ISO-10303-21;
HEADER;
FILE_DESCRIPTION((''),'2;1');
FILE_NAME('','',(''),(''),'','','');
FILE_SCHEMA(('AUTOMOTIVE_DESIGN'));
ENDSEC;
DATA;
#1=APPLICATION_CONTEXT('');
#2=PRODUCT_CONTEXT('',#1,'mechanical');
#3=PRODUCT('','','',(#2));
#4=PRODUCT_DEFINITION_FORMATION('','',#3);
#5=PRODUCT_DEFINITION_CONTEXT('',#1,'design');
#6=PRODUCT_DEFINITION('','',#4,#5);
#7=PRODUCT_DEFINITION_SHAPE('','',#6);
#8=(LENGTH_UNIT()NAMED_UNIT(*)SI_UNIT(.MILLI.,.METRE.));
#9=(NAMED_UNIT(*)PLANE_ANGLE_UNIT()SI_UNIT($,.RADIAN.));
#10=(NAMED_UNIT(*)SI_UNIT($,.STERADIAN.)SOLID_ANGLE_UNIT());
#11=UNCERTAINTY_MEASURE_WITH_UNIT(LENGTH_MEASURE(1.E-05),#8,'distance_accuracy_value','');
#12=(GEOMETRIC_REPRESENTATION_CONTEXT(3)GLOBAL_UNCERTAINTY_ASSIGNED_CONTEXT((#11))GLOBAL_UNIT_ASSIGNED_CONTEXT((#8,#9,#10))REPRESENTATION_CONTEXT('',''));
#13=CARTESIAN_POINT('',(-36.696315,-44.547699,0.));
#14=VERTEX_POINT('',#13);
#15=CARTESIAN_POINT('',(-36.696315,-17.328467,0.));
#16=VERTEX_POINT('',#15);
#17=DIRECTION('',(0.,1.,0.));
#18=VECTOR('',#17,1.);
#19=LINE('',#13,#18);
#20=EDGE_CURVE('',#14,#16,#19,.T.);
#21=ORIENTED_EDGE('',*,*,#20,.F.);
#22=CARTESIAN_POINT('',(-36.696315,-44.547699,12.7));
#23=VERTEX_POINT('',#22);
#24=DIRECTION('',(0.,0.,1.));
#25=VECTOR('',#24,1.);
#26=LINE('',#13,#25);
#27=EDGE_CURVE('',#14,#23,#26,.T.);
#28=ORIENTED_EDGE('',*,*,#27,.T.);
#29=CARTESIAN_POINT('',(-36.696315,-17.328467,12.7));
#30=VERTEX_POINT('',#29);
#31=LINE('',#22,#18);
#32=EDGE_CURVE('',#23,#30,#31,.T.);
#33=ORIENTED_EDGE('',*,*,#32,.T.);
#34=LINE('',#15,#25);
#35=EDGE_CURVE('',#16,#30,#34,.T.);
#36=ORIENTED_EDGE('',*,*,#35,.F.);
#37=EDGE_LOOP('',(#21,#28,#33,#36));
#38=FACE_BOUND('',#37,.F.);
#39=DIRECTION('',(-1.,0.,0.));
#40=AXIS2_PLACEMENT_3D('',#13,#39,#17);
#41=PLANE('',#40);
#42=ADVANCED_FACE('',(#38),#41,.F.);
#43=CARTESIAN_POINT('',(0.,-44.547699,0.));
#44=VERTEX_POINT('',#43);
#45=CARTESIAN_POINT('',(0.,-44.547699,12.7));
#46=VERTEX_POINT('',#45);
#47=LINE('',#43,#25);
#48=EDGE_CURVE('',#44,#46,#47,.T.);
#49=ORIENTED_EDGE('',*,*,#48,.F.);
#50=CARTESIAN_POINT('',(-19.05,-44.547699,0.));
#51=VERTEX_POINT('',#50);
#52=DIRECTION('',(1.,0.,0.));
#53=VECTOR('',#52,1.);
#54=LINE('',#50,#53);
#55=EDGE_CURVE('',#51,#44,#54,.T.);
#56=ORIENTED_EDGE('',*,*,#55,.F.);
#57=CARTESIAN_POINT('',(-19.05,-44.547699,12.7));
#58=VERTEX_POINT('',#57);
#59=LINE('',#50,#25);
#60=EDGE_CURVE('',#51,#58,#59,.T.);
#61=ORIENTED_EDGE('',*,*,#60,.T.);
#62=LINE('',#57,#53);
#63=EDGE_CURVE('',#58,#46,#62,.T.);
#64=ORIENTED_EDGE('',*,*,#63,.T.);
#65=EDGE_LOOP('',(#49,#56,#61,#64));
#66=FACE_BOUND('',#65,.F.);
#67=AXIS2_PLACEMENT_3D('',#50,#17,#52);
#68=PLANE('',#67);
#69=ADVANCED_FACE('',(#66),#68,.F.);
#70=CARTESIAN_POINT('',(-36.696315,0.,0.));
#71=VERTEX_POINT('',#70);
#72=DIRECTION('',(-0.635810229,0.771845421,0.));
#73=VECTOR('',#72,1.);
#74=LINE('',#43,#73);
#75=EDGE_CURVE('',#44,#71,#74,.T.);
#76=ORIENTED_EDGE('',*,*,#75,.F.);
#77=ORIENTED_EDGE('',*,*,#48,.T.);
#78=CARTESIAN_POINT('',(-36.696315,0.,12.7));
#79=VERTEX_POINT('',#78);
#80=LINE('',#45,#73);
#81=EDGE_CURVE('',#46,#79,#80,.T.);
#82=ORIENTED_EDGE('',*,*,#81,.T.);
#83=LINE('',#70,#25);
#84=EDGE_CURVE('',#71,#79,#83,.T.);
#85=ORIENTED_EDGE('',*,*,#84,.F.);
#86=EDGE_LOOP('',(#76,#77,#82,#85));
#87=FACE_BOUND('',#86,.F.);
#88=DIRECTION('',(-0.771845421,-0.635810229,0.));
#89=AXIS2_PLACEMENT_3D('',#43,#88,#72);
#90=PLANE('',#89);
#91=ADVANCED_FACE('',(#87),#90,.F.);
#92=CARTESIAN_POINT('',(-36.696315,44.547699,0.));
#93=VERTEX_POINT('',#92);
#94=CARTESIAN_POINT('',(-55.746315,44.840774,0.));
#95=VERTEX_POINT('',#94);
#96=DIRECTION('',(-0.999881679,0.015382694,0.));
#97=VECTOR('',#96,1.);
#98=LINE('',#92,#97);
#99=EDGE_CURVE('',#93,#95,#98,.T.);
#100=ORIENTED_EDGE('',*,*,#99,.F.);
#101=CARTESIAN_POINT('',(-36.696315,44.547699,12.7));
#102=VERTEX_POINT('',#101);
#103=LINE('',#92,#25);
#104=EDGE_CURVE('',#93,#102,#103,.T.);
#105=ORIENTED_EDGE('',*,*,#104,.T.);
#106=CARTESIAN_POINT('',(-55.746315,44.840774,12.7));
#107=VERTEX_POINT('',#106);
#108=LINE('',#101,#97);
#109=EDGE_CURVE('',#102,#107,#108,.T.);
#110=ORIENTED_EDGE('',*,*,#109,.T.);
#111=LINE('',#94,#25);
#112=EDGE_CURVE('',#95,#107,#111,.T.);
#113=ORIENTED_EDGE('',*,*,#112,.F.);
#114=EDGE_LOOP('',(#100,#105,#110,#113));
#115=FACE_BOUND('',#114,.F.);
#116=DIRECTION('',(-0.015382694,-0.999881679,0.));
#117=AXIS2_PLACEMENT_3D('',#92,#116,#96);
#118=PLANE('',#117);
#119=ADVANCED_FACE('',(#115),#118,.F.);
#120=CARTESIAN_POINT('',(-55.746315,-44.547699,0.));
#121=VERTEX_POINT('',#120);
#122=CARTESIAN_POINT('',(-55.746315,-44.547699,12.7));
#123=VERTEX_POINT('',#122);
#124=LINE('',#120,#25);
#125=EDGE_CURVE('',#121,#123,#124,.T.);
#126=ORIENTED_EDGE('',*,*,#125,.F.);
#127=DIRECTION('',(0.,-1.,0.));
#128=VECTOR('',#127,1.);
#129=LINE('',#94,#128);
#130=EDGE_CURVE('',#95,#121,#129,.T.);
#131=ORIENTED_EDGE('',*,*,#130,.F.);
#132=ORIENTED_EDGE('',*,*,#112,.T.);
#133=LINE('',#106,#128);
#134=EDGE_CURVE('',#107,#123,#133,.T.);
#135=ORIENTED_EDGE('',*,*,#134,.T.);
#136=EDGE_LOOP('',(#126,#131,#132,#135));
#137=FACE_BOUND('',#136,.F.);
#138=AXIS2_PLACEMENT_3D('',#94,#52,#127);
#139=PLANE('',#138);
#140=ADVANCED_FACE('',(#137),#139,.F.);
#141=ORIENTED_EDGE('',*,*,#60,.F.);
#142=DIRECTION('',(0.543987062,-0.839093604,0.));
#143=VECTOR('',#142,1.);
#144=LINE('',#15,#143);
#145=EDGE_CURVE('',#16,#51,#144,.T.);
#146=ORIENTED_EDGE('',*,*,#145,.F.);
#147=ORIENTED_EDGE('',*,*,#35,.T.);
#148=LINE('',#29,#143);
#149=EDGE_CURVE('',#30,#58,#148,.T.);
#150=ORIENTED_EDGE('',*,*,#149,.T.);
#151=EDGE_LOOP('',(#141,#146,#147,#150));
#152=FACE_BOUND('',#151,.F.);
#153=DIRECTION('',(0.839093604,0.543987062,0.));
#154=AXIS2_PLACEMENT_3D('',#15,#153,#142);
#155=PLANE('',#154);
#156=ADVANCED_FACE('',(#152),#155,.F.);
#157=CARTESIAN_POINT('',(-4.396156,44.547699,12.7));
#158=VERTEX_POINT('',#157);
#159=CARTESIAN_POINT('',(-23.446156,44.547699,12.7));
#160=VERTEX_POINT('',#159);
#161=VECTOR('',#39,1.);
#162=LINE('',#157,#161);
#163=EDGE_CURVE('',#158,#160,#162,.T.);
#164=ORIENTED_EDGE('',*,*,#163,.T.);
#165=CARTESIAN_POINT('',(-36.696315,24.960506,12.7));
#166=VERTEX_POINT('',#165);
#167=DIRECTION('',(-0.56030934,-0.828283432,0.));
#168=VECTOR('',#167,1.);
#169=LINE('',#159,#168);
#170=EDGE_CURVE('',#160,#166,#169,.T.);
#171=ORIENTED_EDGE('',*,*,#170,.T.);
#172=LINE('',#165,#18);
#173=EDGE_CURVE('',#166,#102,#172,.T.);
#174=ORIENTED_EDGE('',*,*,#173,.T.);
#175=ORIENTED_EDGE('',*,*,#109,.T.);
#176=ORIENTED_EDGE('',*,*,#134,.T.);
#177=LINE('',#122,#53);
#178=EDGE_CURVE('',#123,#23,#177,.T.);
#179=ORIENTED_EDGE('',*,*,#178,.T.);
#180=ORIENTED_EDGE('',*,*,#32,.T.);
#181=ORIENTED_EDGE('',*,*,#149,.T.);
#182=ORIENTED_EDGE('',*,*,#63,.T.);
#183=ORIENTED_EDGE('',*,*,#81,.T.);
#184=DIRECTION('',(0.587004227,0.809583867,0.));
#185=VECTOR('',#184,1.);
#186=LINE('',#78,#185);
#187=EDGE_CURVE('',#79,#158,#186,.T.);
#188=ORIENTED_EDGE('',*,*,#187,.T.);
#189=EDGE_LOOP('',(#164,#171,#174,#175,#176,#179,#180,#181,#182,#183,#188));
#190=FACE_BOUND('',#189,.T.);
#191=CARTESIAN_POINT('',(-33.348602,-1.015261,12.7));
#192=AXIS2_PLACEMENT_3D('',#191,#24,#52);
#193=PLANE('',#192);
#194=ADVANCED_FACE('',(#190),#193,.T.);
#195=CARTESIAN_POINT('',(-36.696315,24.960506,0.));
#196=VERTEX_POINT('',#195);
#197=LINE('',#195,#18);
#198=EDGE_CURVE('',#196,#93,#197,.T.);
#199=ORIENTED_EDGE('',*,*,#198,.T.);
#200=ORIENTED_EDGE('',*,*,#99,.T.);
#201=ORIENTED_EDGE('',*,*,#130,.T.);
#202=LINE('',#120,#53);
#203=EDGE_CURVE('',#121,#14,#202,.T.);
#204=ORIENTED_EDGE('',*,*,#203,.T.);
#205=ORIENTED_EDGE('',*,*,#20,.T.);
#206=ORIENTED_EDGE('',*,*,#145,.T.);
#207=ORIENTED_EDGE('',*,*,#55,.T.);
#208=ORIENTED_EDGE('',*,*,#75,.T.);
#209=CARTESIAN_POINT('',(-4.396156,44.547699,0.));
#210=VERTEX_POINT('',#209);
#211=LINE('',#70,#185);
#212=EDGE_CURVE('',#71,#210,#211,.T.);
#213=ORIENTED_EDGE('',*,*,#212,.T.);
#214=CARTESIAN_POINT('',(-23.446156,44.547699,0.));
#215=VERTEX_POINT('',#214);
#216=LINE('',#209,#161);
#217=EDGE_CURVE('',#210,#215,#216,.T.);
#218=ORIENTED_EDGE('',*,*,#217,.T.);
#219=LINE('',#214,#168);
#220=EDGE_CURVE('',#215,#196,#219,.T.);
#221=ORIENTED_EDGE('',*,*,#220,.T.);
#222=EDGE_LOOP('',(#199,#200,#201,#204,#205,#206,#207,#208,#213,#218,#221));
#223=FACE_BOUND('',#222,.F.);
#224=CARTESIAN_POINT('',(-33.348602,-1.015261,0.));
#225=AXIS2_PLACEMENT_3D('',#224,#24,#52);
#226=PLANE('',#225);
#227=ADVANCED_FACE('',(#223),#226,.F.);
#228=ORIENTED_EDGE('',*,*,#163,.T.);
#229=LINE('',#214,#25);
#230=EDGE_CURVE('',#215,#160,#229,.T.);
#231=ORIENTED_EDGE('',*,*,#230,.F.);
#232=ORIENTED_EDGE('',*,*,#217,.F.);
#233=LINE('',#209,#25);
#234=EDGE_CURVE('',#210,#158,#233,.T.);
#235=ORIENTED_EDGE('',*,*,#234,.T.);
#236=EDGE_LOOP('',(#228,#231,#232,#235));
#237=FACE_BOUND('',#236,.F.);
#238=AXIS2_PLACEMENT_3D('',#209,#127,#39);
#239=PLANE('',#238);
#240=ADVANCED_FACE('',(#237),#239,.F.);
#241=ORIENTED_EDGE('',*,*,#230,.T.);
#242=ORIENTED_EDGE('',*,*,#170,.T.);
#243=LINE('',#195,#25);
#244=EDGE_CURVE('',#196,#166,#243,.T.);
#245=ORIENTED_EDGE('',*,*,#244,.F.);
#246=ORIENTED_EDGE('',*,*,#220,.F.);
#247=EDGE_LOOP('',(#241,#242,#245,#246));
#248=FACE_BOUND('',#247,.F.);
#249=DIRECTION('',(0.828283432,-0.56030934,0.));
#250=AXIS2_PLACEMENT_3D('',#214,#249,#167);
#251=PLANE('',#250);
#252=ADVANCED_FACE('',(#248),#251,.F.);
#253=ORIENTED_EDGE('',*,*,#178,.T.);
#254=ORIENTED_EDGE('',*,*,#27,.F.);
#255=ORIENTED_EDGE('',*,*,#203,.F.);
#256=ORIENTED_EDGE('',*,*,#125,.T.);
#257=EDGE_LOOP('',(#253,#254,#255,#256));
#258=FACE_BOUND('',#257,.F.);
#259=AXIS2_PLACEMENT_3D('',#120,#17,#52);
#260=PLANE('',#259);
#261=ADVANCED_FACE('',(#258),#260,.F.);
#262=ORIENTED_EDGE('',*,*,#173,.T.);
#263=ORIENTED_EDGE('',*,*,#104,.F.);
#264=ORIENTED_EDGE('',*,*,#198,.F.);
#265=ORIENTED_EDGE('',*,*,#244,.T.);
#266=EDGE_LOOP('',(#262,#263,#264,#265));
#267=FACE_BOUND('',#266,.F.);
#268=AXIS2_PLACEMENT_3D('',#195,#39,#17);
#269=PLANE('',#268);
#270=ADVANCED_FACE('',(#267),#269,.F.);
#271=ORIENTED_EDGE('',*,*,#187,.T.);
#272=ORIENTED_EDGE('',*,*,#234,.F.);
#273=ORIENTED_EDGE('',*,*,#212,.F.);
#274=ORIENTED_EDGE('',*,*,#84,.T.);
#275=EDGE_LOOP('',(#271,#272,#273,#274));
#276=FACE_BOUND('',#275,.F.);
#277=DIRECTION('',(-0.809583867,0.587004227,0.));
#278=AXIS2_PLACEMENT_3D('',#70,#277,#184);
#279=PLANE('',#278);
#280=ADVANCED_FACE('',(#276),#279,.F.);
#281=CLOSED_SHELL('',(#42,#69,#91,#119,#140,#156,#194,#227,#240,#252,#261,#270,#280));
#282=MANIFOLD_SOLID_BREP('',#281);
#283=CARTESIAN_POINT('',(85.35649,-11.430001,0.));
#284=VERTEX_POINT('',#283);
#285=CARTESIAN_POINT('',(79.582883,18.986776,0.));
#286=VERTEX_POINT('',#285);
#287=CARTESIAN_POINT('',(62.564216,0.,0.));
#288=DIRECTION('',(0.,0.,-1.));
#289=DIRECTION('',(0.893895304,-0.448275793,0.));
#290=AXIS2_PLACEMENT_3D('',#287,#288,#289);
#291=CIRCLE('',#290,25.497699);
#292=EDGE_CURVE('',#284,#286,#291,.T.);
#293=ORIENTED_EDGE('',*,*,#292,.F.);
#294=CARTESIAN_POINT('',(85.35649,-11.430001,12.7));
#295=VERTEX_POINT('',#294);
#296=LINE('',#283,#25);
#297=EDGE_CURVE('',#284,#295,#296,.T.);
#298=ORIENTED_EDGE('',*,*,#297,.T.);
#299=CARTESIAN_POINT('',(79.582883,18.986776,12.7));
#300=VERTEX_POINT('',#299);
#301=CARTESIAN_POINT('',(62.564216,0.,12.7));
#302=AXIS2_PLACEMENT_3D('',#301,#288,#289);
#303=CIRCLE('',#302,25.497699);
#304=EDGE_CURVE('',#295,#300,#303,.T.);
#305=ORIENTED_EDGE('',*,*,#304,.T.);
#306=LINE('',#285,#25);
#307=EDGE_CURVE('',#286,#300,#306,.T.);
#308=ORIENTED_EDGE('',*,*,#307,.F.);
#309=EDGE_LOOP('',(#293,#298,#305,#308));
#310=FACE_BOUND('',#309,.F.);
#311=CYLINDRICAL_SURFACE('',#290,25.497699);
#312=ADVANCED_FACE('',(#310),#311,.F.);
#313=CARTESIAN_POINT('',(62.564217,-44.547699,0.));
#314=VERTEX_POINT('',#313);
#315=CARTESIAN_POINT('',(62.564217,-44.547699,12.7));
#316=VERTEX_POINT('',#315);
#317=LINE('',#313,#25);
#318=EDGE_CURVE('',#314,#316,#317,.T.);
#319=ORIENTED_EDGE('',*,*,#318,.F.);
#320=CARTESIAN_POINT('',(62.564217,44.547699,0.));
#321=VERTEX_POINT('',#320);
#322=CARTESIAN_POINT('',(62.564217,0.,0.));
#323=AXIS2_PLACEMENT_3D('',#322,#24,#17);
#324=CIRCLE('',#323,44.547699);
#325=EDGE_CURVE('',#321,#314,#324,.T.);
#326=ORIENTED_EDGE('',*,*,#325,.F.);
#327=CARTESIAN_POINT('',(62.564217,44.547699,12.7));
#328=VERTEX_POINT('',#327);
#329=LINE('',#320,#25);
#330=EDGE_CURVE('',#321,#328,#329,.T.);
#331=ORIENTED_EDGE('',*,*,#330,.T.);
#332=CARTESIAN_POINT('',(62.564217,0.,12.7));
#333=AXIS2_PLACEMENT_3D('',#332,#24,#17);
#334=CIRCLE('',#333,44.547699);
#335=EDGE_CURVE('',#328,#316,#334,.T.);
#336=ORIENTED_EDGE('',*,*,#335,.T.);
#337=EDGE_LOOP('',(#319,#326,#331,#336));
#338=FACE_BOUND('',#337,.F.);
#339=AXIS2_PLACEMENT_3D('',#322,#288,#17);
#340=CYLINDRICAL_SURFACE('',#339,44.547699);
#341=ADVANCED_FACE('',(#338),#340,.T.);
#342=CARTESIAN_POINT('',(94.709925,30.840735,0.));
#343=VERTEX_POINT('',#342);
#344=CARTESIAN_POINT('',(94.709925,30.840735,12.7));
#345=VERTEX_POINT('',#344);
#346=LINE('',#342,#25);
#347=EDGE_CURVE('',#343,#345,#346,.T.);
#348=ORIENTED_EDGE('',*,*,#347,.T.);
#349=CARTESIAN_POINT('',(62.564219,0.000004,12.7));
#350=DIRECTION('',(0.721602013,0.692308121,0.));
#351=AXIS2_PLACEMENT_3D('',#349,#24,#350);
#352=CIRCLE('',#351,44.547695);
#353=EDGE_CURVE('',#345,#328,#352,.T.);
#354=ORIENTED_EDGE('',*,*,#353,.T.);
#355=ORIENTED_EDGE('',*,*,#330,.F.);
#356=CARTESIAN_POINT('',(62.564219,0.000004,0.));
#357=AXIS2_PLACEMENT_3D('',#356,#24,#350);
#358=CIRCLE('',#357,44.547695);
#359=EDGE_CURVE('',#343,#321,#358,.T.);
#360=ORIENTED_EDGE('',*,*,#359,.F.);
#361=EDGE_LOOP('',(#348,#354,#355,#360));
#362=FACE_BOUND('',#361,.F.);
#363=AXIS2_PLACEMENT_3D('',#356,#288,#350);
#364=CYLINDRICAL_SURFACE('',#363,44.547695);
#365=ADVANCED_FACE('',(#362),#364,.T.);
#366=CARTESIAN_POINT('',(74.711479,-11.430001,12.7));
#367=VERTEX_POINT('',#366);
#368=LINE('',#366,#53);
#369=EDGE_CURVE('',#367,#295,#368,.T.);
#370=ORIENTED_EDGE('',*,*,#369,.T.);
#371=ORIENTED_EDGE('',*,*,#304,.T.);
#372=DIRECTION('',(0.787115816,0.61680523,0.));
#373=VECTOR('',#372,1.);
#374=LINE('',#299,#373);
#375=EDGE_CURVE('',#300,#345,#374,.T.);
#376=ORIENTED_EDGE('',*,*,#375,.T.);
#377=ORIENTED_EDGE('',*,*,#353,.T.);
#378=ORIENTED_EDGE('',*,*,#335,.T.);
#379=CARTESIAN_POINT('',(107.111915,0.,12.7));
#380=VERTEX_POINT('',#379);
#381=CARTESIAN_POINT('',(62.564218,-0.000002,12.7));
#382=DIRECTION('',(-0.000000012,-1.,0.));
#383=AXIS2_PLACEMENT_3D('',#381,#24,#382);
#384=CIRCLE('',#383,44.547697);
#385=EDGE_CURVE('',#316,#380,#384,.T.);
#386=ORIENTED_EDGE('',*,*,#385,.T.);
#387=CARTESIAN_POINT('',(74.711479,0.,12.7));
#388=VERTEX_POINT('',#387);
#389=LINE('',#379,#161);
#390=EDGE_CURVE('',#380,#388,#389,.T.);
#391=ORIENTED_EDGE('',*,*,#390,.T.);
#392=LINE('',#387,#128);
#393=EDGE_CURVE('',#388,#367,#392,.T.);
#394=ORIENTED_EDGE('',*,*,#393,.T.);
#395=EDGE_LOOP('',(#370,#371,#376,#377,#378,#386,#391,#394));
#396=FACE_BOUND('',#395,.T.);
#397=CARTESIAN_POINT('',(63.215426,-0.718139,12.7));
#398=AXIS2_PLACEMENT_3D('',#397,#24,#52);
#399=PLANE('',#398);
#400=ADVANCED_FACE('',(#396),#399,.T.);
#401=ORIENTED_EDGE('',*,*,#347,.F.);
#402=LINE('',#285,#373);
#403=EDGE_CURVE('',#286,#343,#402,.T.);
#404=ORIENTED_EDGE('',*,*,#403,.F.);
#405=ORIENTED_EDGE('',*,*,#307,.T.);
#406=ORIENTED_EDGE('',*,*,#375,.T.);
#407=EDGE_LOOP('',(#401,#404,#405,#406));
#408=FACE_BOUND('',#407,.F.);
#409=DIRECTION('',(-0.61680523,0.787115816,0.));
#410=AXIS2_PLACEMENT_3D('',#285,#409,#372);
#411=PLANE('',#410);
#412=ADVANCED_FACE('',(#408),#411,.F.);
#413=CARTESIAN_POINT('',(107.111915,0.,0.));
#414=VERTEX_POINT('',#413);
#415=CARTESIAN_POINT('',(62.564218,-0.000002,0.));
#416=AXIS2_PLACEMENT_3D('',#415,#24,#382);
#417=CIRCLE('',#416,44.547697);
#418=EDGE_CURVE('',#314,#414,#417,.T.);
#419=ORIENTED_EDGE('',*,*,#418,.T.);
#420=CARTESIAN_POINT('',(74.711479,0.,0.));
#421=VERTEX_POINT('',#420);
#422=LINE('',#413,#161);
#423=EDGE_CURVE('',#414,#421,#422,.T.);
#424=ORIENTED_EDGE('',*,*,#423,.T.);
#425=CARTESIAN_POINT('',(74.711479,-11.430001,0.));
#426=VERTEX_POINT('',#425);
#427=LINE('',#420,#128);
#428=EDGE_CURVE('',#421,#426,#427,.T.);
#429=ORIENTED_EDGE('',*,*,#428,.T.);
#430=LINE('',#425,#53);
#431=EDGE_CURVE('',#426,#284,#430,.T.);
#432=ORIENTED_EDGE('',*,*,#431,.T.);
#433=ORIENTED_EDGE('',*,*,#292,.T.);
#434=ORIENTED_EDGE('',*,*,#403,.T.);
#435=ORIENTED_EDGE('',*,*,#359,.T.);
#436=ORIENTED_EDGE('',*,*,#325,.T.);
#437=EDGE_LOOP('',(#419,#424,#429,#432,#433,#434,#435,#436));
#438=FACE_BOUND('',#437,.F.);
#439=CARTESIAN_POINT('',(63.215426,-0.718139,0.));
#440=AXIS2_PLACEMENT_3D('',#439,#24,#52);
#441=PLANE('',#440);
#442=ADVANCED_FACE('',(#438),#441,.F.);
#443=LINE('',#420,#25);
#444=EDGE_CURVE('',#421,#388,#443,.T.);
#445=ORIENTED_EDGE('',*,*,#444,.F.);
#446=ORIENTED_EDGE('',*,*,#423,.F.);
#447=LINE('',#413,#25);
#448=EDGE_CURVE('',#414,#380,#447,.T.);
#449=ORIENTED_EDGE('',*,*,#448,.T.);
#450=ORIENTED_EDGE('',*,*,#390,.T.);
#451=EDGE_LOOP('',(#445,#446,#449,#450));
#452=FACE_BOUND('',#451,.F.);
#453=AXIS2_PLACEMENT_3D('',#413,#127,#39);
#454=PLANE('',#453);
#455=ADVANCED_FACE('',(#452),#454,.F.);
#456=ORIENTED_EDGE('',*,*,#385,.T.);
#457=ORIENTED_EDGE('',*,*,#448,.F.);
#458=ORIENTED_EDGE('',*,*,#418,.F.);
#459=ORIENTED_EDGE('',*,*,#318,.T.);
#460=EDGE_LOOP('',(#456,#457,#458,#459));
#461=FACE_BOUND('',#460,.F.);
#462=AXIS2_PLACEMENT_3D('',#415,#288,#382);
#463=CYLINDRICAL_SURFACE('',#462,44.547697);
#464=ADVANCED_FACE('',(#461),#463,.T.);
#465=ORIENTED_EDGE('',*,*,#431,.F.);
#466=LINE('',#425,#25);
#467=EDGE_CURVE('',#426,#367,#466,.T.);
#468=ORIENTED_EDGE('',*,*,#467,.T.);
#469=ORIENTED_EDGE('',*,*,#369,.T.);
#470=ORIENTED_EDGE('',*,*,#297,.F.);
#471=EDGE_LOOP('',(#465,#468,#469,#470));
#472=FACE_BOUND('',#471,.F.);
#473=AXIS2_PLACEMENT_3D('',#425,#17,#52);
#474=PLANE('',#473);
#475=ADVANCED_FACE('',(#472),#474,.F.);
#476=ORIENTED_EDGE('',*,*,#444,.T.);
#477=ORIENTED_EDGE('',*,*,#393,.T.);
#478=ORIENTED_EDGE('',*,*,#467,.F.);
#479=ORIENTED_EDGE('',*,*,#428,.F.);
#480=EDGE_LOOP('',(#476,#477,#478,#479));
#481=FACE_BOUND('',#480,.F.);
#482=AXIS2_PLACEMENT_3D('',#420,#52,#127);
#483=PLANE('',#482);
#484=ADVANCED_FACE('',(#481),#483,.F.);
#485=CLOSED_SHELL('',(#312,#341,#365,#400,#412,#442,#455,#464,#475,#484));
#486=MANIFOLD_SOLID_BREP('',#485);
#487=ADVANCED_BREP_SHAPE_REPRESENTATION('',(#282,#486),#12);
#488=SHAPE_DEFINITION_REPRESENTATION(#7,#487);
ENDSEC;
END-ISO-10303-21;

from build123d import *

# Parameters (mm, degrees)
F1_DEPTH = 12.7


with BuildPart() as f1:
    # F0 (on Top) → F1 (new body)
    with BuildSketch(Plane.XY):
        Polygon((-36.696315, 44.547699), (-55.746315, 44.840774), (-55.746315, -44.547699), (-36.696315, -44.547699), (-36.696315, -17.328467), (-19.05, -44.547699), (0, -44.547699), (-36.696315, 0), (-4.396156, 44.547699), (-23.446156, 44.547699), (-36.696315, 24.960506), align=None)
        with BuildLine():
            Line((79.582883, 18.986776), (94.709925, 30.840735))
            ThreePointArc((94.709925, 30.840735), (80.037249, 40.977929), (62.564217, 44.547699))
            ThreePointArc((62.564217, 44.547699), (18.016518, 0), (62.564217, -44.547699))
            ThreePointArc((62.564217, -44.547699), (94.064197, -31.49998), (107.111915, 0))
            Line((107.111915, 0), (88.061915, 0))
            Line((88.061915, 0), (74.711479, 0))
            Line((74.711479, 0), (74.711479, -11.430001))
            Line((74.711479, -11.430001), (85.35649, -11.430001))
            ThreePointArc((85.35649, -11.430001), (37.513811, -4.754981), (79.582883, 18.986776))
        make_face()
    extrude(amount=F1_DEPTH)


solid = f1.part
